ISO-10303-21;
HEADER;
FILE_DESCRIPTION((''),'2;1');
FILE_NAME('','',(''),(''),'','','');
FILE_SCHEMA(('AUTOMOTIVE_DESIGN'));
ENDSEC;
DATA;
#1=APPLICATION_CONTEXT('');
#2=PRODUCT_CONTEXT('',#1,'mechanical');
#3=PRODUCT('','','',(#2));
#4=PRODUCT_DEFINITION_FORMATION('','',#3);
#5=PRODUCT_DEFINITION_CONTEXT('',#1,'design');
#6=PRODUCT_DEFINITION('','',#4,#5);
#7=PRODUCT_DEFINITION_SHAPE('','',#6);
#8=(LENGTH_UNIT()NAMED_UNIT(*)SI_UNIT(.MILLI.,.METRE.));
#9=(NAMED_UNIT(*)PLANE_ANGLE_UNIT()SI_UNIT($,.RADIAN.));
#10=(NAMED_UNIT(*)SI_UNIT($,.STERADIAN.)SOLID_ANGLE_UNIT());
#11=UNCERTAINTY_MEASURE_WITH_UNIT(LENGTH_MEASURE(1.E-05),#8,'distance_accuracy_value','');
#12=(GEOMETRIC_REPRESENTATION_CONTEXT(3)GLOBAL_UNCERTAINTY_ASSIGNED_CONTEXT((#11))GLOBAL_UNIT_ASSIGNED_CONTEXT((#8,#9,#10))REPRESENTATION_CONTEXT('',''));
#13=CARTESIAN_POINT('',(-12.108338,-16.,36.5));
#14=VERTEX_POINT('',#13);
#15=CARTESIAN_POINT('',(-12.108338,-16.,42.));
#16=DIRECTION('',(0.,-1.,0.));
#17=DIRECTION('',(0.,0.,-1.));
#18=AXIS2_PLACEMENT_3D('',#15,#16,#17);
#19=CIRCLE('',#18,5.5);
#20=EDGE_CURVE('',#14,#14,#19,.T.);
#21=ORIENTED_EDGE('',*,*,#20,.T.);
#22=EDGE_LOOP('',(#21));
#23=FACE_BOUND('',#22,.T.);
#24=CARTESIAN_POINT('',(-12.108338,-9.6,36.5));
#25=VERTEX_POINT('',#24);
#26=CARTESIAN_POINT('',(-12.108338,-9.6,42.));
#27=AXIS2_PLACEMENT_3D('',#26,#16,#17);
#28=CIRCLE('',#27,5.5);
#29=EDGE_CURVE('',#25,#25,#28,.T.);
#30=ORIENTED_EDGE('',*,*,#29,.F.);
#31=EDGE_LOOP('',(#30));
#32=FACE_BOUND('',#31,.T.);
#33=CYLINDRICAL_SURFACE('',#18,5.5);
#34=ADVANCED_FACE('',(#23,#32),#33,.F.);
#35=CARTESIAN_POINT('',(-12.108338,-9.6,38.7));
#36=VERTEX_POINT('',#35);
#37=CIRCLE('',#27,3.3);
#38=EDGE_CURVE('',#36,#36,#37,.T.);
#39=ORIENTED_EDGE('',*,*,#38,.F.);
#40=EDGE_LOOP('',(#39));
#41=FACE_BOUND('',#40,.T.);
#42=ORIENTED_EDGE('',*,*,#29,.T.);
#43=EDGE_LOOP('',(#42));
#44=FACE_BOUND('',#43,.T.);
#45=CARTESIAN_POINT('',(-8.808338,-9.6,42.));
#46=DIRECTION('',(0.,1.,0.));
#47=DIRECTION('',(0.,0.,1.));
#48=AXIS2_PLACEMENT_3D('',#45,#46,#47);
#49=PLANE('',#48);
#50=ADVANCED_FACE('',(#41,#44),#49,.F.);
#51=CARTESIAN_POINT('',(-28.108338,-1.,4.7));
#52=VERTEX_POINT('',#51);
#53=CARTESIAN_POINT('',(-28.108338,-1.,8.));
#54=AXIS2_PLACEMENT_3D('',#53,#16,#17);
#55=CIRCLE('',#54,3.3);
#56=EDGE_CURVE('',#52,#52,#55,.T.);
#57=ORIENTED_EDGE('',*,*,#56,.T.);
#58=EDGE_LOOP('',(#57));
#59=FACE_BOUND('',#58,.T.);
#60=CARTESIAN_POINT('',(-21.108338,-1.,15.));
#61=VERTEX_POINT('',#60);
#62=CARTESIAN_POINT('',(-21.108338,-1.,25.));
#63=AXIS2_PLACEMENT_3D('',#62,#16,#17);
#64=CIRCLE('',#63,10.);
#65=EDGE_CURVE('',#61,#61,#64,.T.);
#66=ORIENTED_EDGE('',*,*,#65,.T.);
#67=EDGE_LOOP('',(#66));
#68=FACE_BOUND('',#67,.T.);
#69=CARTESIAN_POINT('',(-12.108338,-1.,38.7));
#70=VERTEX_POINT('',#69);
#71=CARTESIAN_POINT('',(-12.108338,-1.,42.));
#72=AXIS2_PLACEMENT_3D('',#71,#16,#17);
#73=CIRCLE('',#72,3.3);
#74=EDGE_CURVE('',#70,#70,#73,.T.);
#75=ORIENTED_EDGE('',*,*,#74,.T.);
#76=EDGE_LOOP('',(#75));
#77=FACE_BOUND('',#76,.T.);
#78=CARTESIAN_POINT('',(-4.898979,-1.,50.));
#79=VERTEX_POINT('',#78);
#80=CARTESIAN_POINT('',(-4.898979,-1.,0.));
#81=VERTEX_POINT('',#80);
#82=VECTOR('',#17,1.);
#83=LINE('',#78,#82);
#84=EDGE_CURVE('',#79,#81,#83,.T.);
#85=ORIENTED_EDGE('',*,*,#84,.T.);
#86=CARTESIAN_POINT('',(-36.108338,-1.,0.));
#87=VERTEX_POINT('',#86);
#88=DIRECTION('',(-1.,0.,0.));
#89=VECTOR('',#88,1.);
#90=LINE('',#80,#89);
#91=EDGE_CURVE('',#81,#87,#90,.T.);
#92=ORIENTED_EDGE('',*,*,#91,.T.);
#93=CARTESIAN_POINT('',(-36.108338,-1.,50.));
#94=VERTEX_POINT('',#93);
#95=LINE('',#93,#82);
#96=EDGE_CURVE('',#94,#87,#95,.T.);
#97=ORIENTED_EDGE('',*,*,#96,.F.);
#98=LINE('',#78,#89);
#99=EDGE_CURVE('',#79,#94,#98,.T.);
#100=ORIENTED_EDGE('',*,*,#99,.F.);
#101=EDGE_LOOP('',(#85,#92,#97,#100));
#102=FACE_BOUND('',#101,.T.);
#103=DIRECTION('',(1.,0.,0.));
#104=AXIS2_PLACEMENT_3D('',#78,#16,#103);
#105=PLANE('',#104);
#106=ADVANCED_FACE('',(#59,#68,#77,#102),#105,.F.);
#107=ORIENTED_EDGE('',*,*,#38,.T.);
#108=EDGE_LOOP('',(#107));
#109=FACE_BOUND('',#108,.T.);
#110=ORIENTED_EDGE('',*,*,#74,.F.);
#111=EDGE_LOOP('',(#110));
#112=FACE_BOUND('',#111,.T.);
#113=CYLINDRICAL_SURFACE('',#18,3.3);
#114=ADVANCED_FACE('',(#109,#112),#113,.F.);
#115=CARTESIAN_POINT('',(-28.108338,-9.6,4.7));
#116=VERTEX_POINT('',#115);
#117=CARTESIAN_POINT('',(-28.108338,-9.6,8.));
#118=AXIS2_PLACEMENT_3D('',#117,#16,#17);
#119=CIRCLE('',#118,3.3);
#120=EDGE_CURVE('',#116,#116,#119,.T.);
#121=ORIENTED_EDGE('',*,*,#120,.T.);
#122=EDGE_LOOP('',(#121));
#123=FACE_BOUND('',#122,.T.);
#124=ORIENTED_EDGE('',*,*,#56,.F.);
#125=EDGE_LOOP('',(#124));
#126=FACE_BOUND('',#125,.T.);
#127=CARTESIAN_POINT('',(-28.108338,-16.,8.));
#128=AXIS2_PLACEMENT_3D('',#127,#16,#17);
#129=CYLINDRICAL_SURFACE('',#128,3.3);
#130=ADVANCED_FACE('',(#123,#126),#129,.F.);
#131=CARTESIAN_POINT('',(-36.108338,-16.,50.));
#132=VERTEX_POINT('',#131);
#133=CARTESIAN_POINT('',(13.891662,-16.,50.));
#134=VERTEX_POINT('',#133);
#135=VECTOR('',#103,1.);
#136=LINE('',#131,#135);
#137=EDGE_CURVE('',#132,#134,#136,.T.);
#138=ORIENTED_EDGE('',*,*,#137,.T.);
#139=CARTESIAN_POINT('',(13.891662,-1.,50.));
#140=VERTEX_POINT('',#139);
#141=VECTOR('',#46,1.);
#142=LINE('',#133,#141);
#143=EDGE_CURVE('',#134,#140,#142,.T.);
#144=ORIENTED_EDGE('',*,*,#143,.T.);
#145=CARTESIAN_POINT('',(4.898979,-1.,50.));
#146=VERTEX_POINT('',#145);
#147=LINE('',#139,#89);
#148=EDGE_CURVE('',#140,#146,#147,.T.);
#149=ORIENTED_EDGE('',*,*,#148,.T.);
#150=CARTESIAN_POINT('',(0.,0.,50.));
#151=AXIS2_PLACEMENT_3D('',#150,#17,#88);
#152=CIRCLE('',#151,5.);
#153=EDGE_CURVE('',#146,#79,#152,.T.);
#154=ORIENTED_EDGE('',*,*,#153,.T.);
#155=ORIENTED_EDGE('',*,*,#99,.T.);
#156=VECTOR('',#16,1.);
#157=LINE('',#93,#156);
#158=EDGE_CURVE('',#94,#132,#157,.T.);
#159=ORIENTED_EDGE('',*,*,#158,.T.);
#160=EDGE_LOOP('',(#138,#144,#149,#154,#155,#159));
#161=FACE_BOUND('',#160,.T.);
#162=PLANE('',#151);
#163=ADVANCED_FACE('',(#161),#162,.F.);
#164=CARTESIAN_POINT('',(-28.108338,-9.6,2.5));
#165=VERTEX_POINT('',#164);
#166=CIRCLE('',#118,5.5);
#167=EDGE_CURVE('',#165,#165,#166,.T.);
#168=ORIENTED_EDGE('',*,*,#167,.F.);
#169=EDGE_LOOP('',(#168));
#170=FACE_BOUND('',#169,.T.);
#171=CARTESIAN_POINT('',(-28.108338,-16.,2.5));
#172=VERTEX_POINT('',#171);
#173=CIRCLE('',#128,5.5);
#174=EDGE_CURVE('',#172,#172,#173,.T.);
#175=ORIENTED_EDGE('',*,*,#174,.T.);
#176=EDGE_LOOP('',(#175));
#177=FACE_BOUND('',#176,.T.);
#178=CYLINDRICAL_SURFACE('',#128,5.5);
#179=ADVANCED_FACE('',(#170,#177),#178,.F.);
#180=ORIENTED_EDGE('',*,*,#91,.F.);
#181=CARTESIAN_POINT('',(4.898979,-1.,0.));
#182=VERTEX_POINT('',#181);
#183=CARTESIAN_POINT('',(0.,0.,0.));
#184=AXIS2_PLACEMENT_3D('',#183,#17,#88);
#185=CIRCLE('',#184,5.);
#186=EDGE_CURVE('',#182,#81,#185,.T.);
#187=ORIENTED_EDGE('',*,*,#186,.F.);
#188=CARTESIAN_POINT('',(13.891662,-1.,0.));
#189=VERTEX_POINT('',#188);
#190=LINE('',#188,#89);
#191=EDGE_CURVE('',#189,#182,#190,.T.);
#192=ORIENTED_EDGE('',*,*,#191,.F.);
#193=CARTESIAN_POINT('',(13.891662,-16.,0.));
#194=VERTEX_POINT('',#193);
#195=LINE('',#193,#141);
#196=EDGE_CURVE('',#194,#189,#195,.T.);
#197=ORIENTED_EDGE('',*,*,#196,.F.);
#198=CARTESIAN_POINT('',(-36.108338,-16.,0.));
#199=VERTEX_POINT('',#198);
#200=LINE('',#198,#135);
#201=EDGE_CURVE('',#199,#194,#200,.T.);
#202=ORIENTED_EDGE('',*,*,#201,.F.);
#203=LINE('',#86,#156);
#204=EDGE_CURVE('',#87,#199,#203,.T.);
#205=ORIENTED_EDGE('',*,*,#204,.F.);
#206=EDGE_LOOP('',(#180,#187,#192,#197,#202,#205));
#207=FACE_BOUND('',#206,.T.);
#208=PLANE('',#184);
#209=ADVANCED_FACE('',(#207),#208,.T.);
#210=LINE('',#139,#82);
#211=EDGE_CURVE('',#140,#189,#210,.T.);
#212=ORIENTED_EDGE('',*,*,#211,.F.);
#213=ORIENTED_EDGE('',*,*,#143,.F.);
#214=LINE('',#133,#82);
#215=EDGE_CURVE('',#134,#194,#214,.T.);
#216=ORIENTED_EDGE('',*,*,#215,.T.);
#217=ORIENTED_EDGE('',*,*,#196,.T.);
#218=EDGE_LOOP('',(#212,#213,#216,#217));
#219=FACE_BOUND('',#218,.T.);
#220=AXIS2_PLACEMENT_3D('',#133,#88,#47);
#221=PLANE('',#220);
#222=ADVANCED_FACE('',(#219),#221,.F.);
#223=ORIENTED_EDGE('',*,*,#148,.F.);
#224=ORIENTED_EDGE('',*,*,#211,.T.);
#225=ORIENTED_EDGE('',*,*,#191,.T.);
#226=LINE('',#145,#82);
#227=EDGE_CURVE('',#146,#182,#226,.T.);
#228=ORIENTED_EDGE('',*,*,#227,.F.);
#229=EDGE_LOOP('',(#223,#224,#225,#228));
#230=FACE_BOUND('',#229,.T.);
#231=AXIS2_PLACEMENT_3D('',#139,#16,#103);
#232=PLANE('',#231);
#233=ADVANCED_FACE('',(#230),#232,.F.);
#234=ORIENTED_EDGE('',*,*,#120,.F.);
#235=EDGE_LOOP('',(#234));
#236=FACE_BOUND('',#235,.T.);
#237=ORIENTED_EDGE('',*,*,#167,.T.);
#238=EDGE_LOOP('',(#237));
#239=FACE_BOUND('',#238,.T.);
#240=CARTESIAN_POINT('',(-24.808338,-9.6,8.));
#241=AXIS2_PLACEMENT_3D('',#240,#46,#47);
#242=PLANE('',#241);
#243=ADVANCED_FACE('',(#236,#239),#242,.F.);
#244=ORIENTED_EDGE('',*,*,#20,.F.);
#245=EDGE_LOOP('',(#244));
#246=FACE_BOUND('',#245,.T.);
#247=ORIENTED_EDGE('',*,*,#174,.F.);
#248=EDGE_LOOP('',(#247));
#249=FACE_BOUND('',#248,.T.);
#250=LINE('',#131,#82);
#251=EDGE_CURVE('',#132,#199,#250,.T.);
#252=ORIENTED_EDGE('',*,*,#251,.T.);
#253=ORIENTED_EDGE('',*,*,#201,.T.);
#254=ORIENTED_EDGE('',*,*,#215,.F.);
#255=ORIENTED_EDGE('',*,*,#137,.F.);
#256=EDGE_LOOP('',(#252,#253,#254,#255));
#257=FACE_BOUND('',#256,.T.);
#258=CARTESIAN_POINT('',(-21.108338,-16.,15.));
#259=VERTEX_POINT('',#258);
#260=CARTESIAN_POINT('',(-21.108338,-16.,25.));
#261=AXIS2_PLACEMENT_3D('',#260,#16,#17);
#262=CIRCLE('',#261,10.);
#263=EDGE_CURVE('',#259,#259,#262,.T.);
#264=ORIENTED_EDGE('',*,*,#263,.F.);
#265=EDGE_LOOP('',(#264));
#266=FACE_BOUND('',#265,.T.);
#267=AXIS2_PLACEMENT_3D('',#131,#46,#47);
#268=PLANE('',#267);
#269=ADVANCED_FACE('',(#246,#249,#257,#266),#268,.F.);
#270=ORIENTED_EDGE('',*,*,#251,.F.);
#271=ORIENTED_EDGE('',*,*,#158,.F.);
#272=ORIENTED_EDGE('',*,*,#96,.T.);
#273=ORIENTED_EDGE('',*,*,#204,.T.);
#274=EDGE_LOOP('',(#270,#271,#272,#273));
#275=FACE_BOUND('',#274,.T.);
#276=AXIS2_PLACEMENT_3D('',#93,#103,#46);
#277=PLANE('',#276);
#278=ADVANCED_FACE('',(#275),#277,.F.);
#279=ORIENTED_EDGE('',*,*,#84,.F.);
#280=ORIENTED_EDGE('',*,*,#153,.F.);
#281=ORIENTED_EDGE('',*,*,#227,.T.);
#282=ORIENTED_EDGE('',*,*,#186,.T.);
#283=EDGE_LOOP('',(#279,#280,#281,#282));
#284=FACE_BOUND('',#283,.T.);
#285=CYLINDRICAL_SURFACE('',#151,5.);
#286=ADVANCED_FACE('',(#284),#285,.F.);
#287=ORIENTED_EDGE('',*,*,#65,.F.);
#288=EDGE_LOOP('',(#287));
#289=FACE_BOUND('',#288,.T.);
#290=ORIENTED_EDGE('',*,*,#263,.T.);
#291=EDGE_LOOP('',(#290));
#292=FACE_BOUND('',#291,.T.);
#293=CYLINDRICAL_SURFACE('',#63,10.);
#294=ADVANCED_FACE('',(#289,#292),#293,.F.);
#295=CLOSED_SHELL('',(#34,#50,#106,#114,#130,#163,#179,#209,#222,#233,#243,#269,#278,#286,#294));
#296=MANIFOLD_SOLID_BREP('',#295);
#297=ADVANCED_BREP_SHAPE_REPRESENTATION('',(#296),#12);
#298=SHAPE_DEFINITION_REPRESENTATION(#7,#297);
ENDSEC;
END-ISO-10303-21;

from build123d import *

# Parameters (mm, degrees)
BOSS_EXTRU_1_DEPTH                                 = 50
CHAMBRAGE_POUR_VIS_T_TE_HEXAGONALE_M62_D           = 6.6
CHAMBRAGE_POUR_VIS_T_TE_HEXAGONALE_M62_CBORE_D     = 11
CHAMBRAGE_POUR_VIS_T_TE_HEXAGONALE_M62_CBORE_DEPTH = 6.4
ESQUISSE5_R                                        = 10
ENL_V_MAT_EXTRU_1_DEPTH                            = 64.472923802


with BuildPart() as part:
    # Esquisse1 → Boss.-Extru.1 (new body)
    with BuildSketch(Plane.XY):
        with BuildLine():
            Line((-36.108337762, -1), (-36.108337762, -16))
            Line((-36.108337762, -16), (13.891662238, -16))
            Line((13.891662238, -16), (13.891662238, -1))
            Line((13.891662238, -1), (4.898979486, -1))
            ThreePointArc((4.898979486, -1), (0, -5), (-4.898979486, -1))
            Line((-4.898979486, -1), (-36.108337762, -1))
        make_face()
    extrude(amount=BOSS_EXTRU_1_DEPTH)

    # Chambrage pour vis à tête hexagonale M62 (through all)
    with Locations(Plane(origin=(0, -16, 0), x_dir=(-1, 0, 0), z_dir=(0, -1, 0))):
        with Locations((12.108337762, -42), (28.108337762, -8)):
            CounterBoreHole(CHAMBRAGE_POUR_VIS_T_TE_HEXAGONALE_M62_D / 2, CHAMBRAGE_POUR_VIS_T_TE_HEXAGONALE_M62_CBORE_D / 2, CHAMBRAGE_POUR_VIS_T_TE_HEXAGONALE_M62_CBORE_DEPTH)

    # Esquisse5 → Enlèv. mat.-Extru.1 (cut, through all)
    with BuildSketch(Plane(origin=(0, -16, 0), x_dir=(-1, 0, 0), z_dir=(0, -1, 0))):
        with Locations(Location((21.108337762, -25, 0), (0, 0, 90))):
            Circle(ESQUISSE5_R)
    extrude(amount=-ENL_V_MAT_EXTRU_1_DEPTH, mode=Mode.SUBTRACT)


solid = part.part
